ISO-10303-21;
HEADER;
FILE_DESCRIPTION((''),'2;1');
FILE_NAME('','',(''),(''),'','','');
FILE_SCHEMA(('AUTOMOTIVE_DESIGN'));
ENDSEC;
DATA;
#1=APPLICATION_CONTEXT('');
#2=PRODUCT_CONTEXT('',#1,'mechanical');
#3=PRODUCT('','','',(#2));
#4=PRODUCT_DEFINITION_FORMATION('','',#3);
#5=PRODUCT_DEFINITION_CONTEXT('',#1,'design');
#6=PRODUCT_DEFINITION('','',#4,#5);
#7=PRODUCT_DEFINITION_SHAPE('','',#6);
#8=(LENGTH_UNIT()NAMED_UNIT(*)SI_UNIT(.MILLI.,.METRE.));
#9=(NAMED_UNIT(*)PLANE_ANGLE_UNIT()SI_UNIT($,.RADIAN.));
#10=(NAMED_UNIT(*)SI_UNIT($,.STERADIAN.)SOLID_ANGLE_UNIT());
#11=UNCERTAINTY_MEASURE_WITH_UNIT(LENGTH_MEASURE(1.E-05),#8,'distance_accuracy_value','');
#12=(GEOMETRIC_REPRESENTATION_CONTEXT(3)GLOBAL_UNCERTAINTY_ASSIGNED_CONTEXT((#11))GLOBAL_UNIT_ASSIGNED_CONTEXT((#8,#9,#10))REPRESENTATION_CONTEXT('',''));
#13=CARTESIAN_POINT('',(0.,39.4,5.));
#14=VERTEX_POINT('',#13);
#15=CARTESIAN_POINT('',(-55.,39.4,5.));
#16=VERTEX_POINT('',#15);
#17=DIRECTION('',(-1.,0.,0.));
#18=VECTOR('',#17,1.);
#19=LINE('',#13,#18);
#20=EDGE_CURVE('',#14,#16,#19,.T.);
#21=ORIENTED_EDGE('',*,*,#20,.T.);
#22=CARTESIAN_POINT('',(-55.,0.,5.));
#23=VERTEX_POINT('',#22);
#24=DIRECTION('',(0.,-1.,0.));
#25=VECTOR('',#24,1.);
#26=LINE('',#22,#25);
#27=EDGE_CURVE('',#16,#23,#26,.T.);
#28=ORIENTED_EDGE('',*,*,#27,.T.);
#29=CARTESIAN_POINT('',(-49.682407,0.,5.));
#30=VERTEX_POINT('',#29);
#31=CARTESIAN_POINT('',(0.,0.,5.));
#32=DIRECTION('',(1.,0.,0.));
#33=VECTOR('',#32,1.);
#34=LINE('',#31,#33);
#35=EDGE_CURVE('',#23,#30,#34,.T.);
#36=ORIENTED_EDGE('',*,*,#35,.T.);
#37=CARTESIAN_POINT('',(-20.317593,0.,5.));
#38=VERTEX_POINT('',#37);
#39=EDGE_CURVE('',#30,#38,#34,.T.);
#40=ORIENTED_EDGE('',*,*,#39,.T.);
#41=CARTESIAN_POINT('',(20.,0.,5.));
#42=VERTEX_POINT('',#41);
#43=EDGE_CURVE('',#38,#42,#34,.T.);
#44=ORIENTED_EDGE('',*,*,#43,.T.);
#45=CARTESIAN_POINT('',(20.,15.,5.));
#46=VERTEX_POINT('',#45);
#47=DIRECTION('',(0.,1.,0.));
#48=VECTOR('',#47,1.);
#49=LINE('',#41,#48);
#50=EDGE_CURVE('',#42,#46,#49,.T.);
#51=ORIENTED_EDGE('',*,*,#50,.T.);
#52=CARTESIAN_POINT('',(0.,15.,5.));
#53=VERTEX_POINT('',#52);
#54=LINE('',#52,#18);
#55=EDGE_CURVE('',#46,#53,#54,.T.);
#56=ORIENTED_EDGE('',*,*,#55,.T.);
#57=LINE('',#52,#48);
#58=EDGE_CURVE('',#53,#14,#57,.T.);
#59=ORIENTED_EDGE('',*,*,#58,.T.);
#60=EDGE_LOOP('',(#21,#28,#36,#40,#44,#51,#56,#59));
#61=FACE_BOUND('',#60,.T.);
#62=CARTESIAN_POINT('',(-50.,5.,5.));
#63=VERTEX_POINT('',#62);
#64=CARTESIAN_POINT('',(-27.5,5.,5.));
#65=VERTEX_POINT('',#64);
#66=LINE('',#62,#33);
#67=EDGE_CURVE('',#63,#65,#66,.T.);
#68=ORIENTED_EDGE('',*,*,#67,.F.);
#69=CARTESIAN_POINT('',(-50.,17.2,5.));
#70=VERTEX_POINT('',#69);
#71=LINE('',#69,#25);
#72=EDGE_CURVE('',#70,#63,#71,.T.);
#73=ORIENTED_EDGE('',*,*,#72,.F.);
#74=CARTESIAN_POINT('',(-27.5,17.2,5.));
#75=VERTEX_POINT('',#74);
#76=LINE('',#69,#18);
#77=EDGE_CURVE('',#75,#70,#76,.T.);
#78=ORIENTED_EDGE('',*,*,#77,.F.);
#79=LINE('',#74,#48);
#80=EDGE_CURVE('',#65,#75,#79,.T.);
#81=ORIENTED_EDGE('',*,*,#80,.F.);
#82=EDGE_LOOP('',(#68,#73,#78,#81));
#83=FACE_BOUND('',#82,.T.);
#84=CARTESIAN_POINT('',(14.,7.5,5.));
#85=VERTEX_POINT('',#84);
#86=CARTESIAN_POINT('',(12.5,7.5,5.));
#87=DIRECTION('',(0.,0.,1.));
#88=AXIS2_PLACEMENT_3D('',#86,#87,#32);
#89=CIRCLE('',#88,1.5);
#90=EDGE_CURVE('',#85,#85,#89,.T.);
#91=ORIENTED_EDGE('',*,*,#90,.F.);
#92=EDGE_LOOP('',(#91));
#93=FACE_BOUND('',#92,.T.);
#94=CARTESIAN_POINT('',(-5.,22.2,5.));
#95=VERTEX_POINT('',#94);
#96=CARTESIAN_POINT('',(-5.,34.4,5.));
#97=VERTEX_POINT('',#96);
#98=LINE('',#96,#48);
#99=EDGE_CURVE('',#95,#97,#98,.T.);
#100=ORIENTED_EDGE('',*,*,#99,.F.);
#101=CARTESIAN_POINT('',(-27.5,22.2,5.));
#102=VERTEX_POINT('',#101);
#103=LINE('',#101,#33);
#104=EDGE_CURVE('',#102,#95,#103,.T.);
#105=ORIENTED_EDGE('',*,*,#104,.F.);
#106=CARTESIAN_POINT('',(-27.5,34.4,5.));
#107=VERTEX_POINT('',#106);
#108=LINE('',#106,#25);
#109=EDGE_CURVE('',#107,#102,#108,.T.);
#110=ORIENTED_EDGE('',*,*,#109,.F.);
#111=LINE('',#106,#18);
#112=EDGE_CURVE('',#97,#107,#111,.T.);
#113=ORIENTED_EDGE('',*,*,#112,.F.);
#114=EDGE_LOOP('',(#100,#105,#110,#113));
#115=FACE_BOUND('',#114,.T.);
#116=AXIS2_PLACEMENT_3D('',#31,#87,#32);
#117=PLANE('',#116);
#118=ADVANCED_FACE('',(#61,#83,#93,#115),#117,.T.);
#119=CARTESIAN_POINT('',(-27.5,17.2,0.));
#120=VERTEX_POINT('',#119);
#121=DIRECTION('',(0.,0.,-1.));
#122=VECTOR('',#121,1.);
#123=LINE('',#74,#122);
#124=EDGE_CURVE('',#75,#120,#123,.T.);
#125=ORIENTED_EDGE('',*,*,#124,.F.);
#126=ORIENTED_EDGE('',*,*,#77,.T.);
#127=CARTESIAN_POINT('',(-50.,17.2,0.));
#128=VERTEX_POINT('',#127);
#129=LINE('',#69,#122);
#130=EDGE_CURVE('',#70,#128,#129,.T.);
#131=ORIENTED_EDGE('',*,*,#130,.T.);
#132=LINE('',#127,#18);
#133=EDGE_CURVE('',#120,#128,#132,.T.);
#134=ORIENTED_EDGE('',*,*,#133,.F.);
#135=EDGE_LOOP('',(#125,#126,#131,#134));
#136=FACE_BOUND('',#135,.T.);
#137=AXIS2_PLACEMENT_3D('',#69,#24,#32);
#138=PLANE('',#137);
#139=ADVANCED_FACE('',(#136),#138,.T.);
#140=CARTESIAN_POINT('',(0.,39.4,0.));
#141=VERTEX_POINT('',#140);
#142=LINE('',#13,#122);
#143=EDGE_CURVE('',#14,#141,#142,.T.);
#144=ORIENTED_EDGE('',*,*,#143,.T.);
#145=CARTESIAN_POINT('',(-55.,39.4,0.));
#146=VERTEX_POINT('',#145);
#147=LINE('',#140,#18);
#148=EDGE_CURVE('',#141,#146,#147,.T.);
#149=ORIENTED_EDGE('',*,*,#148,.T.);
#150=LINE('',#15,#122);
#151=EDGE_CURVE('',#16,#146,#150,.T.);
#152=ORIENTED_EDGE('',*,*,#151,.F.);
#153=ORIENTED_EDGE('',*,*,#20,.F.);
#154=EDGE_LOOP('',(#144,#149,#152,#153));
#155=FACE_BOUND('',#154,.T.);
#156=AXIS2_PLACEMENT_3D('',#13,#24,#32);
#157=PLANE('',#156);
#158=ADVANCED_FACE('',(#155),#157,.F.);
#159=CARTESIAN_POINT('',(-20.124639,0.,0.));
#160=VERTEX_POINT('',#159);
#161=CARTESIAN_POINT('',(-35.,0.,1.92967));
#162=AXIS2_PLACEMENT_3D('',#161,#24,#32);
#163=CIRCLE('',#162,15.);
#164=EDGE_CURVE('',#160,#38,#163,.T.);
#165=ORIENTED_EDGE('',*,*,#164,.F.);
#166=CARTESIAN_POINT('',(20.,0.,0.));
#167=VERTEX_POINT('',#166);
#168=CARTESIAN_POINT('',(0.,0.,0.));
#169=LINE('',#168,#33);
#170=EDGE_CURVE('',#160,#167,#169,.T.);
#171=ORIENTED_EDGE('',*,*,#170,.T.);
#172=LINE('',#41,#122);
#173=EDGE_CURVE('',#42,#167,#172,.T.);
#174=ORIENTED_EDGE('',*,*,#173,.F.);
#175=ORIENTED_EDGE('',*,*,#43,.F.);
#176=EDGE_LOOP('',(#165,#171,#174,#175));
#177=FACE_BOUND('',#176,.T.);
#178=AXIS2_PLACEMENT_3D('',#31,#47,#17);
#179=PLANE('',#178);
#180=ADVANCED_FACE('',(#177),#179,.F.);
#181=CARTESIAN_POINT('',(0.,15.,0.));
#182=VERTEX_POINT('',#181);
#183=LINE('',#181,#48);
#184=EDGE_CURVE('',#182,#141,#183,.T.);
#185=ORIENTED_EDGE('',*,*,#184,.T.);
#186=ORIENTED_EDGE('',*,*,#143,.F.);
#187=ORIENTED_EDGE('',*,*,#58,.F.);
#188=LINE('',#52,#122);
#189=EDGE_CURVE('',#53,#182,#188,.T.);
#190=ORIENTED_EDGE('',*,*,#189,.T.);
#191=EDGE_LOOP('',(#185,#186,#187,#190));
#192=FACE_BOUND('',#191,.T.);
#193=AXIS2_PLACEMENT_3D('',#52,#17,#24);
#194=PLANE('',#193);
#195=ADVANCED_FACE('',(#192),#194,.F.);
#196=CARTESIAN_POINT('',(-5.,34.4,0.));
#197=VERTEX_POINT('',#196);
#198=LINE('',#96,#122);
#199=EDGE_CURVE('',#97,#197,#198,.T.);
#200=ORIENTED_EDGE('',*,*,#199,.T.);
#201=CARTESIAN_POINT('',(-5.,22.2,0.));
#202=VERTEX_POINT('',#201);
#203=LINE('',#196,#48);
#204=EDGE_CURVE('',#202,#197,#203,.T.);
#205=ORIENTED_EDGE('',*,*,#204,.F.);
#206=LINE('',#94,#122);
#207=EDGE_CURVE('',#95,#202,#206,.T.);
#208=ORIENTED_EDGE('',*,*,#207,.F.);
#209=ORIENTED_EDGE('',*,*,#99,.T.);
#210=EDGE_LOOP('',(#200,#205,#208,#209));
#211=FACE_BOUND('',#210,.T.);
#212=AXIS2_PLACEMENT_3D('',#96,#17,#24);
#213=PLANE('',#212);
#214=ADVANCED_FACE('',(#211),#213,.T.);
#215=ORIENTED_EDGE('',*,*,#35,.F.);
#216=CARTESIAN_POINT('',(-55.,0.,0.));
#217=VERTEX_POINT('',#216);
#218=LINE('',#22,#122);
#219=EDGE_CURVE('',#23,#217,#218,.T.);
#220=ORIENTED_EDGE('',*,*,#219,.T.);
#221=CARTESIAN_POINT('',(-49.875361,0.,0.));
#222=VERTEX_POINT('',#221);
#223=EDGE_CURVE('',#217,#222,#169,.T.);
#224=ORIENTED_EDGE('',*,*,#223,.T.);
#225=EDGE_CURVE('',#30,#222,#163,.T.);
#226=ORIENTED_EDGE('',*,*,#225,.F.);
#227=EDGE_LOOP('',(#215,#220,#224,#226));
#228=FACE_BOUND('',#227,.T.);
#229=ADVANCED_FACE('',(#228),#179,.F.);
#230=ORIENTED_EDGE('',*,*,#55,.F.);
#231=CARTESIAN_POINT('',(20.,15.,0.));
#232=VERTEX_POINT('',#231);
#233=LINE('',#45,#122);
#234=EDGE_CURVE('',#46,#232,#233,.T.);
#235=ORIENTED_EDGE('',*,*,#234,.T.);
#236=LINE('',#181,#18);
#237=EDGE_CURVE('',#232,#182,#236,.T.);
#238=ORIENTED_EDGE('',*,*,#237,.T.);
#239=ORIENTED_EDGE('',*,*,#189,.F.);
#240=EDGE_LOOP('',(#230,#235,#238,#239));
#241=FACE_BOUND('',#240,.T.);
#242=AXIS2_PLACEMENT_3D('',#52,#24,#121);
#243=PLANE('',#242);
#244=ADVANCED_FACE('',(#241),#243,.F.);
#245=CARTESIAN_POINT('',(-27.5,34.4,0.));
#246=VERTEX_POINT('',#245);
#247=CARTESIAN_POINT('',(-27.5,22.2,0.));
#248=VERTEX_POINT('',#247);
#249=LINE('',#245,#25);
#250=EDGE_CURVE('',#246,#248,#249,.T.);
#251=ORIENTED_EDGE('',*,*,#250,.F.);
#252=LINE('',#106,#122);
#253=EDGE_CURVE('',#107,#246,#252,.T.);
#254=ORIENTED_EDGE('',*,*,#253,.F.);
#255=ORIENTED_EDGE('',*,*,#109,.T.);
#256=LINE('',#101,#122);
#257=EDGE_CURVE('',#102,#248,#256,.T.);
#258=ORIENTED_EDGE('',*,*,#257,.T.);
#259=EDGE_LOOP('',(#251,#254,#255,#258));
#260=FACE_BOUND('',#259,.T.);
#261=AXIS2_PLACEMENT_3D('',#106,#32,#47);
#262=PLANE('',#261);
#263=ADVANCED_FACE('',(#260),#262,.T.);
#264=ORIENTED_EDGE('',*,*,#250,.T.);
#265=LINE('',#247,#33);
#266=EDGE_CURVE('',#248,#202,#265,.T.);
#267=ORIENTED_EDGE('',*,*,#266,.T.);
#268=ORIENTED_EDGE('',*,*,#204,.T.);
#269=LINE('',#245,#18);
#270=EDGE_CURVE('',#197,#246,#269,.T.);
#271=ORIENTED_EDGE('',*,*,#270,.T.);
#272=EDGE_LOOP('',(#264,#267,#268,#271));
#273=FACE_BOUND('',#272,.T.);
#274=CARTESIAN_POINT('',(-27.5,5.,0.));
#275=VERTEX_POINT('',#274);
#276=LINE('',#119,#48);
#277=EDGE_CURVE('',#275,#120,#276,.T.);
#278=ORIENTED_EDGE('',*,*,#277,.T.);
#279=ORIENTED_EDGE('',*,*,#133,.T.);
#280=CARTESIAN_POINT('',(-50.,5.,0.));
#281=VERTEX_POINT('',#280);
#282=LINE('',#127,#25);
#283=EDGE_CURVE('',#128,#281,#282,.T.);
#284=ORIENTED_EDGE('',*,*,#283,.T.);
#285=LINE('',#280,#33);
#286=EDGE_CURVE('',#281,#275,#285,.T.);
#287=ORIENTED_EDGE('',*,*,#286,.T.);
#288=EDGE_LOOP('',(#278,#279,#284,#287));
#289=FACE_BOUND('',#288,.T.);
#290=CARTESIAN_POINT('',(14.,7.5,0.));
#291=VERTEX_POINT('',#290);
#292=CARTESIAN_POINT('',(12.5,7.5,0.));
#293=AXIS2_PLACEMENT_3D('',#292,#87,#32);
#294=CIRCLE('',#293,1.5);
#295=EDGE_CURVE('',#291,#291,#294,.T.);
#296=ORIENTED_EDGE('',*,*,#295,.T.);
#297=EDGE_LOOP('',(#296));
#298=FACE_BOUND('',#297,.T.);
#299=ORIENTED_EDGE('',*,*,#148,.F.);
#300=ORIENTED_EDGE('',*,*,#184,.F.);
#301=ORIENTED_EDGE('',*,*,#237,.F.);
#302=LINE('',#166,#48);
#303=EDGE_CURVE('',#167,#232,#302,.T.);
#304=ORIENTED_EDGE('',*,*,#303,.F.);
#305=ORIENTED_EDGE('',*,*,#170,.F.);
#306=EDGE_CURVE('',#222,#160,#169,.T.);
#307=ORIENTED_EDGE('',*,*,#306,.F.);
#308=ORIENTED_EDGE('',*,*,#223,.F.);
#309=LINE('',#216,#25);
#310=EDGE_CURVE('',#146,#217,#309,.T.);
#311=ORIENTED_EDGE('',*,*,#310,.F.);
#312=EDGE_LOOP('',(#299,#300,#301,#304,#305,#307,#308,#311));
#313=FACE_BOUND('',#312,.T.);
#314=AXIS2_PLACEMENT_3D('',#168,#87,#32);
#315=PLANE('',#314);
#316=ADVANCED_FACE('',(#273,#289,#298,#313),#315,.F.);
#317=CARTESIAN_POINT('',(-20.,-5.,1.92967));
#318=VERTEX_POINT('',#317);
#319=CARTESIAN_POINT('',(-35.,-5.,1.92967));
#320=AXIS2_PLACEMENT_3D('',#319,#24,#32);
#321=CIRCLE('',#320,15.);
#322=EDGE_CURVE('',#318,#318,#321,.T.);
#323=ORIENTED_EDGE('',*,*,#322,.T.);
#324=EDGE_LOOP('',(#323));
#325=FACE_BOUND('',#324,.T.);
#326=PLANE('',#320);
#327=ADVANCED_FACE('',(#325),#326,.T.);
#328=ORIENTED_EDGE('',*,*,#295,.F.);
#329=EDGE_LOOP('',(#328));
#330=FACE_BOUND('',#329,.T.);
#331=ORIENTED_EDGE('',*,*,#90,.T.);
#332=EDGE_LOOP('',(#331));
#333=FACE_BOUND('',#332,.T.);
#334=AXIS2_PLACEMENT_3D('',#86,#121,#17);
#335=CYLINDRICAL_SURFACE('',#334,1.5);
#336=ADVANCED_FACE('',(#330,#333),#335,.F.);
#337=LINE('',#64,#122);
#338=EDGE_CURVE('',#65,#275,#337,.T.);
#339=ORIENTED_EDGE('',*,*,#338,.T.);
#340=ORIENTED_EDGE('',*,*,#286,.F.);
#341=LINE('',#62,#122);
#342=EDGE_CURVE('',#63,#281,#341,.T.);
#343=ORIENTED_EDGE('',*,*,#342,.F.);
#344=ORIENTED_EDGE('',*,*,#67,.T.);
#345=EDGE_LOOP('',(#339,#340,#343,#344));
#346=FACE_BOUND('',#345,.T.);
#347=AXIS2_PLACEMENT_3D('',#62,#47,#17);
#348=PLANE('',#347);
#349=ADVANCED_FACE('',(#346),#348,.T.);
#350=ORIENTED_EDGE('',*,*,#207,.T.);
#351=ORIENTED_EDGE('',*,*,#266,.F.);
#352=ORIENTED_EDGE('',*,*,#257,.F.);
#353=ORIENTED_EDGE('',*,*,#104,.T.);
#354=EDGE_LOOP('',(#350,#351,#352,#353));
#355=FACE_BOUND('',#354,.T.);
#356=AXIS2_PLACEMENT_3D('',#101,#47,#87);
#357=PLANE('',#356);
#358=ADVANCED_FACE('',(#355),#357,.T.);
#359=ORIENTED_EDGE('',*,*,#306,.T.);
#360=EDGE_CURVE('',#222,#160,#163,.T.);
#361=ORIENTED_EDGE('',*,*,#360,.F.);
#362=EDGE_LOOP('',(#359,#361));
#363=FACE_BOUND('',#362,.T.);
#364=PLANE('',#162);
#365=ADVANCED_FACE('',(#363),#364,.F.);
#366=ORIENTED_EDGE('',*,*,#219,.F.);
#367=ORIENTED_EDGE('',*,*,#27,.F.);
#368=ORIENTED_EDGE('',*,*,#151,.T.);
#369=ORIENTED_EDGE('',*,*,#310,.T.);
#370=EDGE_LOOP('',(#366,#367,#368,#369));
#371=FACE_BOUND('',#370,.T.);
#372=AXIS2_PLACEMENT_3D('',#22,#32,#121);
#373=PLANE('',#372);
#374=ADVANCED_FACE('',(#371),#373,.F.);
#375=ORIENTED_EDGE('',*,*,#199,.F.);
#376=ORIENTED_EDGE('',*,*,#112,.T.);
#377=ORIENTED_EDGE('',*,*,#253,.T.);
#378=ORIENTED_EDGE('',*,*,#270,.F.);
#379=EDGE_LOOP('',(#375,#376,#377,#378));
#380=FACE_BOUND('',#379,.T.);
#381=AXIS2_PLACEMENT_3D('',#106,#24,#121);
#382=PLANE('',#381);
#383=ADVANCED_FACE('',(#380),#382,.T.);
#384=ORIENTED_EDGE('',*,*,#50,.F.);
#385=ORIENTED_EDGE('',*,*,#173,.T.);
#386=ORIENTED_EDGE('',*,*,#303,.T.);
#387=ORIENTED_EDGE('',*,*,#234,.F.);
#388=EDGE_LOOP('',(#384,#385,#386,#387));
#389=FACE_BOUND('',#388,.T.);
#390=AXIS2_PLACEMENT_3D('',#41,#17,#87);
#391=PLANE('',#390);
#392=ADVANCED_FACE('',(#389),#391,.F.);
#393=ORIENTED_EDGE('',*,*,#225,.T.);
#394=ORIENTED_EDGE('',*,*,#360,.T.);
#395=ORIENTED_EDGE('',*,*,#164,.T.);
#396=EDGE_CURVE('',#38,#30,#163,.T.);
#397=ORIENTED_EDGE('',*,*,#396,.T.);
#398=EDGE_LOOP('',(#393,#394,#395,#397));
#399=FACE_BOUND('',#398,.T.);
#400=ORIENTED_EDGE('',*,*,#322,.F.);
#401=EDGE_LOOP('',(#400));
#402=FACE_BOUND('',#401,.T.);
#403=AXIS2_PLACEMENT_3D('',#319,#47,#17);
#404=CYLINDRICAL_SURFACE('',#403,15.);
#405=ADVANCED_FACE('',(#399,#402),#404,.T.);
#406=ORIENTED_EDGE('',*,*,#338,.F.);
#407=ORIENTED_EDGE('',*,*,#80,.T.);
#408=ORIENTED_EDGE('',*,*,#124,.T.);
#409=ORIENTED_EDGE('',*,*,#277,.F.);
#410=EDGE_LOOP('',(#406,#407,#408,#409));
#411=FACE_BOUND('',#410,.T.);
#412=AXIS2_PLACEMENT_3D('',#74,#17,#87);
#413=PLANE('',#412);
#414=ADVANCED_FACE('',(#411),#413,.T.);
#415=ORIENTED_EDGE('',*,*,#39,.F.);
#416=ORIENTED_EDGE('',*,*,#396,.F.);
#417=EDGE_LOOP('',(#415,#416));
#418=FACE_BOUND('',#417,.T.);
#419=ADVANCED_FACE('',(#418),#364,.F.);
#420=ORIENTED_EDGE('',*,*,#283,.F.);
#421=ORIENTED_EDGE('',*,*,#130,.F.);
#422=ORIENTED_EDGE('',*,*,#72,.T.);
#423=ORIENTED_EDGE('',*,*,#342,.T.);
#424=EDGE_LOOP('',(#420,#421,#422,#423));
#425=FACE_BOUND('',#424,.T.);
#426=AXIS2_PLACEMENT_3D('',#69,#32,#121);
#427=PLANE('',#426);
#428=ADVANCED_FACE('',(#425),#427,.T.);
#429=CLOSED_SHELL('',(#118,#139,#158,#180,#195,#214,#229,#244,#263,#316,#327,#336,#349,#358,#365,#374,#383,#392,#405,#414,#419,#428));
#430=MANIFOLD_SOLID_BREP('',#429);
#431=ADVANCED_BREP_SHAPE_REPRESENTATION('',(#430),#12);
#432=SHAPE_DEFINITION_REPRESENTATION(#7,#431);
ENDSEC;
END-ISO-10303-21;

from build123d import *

# Parameters (mm, degrees)
SKETCH1_R           = 1.5
SKETCH1_W           = 22.5
SKETCH1_H           = 12.2
BOSS_EXTRUDE1_DEPTH = 5
SKETCH2_R           = 15
BOSS_EXTRUDE2_DEPTH = 5


with BuildPart() as part:
    # Sketch1 → Boss-Extrude1 (new body)
    with BuildSketch(Plane.XY):
        Polygon((0, 0), (-55, 0), (-55, 39.4), (0, 39.4), (0, 15), (20, 15), (20, 0), align=None)
        with Locations((12.5, 7.5)):
            Circle(SKETCH1_R, mode=Mode.SUBTRACT)
        with Locations((-38.75, 11.1)):
            Rectangle(SKETCH1_W, SKETCH1_H, mode=Mode.SUBTRACT)
        with Locations((-16.25, 28.3)):
            Rectangle(SKETCH1_W, SKETCH1_H, mode=Mode.SUBTRACT)
    extrude(amount=BOSS_EXTRUDE1_DEPTH)

    # Sketch2 → Boss-Extrude2 (add)
    with BuildSketch(Plane.XZ):
        with Locations((-35, 1.929670276)):
            Circle(SKETCH2_R)
    extrude(amount=BOSS_EXTRUDE2_DEPTH)


solid = part.part
